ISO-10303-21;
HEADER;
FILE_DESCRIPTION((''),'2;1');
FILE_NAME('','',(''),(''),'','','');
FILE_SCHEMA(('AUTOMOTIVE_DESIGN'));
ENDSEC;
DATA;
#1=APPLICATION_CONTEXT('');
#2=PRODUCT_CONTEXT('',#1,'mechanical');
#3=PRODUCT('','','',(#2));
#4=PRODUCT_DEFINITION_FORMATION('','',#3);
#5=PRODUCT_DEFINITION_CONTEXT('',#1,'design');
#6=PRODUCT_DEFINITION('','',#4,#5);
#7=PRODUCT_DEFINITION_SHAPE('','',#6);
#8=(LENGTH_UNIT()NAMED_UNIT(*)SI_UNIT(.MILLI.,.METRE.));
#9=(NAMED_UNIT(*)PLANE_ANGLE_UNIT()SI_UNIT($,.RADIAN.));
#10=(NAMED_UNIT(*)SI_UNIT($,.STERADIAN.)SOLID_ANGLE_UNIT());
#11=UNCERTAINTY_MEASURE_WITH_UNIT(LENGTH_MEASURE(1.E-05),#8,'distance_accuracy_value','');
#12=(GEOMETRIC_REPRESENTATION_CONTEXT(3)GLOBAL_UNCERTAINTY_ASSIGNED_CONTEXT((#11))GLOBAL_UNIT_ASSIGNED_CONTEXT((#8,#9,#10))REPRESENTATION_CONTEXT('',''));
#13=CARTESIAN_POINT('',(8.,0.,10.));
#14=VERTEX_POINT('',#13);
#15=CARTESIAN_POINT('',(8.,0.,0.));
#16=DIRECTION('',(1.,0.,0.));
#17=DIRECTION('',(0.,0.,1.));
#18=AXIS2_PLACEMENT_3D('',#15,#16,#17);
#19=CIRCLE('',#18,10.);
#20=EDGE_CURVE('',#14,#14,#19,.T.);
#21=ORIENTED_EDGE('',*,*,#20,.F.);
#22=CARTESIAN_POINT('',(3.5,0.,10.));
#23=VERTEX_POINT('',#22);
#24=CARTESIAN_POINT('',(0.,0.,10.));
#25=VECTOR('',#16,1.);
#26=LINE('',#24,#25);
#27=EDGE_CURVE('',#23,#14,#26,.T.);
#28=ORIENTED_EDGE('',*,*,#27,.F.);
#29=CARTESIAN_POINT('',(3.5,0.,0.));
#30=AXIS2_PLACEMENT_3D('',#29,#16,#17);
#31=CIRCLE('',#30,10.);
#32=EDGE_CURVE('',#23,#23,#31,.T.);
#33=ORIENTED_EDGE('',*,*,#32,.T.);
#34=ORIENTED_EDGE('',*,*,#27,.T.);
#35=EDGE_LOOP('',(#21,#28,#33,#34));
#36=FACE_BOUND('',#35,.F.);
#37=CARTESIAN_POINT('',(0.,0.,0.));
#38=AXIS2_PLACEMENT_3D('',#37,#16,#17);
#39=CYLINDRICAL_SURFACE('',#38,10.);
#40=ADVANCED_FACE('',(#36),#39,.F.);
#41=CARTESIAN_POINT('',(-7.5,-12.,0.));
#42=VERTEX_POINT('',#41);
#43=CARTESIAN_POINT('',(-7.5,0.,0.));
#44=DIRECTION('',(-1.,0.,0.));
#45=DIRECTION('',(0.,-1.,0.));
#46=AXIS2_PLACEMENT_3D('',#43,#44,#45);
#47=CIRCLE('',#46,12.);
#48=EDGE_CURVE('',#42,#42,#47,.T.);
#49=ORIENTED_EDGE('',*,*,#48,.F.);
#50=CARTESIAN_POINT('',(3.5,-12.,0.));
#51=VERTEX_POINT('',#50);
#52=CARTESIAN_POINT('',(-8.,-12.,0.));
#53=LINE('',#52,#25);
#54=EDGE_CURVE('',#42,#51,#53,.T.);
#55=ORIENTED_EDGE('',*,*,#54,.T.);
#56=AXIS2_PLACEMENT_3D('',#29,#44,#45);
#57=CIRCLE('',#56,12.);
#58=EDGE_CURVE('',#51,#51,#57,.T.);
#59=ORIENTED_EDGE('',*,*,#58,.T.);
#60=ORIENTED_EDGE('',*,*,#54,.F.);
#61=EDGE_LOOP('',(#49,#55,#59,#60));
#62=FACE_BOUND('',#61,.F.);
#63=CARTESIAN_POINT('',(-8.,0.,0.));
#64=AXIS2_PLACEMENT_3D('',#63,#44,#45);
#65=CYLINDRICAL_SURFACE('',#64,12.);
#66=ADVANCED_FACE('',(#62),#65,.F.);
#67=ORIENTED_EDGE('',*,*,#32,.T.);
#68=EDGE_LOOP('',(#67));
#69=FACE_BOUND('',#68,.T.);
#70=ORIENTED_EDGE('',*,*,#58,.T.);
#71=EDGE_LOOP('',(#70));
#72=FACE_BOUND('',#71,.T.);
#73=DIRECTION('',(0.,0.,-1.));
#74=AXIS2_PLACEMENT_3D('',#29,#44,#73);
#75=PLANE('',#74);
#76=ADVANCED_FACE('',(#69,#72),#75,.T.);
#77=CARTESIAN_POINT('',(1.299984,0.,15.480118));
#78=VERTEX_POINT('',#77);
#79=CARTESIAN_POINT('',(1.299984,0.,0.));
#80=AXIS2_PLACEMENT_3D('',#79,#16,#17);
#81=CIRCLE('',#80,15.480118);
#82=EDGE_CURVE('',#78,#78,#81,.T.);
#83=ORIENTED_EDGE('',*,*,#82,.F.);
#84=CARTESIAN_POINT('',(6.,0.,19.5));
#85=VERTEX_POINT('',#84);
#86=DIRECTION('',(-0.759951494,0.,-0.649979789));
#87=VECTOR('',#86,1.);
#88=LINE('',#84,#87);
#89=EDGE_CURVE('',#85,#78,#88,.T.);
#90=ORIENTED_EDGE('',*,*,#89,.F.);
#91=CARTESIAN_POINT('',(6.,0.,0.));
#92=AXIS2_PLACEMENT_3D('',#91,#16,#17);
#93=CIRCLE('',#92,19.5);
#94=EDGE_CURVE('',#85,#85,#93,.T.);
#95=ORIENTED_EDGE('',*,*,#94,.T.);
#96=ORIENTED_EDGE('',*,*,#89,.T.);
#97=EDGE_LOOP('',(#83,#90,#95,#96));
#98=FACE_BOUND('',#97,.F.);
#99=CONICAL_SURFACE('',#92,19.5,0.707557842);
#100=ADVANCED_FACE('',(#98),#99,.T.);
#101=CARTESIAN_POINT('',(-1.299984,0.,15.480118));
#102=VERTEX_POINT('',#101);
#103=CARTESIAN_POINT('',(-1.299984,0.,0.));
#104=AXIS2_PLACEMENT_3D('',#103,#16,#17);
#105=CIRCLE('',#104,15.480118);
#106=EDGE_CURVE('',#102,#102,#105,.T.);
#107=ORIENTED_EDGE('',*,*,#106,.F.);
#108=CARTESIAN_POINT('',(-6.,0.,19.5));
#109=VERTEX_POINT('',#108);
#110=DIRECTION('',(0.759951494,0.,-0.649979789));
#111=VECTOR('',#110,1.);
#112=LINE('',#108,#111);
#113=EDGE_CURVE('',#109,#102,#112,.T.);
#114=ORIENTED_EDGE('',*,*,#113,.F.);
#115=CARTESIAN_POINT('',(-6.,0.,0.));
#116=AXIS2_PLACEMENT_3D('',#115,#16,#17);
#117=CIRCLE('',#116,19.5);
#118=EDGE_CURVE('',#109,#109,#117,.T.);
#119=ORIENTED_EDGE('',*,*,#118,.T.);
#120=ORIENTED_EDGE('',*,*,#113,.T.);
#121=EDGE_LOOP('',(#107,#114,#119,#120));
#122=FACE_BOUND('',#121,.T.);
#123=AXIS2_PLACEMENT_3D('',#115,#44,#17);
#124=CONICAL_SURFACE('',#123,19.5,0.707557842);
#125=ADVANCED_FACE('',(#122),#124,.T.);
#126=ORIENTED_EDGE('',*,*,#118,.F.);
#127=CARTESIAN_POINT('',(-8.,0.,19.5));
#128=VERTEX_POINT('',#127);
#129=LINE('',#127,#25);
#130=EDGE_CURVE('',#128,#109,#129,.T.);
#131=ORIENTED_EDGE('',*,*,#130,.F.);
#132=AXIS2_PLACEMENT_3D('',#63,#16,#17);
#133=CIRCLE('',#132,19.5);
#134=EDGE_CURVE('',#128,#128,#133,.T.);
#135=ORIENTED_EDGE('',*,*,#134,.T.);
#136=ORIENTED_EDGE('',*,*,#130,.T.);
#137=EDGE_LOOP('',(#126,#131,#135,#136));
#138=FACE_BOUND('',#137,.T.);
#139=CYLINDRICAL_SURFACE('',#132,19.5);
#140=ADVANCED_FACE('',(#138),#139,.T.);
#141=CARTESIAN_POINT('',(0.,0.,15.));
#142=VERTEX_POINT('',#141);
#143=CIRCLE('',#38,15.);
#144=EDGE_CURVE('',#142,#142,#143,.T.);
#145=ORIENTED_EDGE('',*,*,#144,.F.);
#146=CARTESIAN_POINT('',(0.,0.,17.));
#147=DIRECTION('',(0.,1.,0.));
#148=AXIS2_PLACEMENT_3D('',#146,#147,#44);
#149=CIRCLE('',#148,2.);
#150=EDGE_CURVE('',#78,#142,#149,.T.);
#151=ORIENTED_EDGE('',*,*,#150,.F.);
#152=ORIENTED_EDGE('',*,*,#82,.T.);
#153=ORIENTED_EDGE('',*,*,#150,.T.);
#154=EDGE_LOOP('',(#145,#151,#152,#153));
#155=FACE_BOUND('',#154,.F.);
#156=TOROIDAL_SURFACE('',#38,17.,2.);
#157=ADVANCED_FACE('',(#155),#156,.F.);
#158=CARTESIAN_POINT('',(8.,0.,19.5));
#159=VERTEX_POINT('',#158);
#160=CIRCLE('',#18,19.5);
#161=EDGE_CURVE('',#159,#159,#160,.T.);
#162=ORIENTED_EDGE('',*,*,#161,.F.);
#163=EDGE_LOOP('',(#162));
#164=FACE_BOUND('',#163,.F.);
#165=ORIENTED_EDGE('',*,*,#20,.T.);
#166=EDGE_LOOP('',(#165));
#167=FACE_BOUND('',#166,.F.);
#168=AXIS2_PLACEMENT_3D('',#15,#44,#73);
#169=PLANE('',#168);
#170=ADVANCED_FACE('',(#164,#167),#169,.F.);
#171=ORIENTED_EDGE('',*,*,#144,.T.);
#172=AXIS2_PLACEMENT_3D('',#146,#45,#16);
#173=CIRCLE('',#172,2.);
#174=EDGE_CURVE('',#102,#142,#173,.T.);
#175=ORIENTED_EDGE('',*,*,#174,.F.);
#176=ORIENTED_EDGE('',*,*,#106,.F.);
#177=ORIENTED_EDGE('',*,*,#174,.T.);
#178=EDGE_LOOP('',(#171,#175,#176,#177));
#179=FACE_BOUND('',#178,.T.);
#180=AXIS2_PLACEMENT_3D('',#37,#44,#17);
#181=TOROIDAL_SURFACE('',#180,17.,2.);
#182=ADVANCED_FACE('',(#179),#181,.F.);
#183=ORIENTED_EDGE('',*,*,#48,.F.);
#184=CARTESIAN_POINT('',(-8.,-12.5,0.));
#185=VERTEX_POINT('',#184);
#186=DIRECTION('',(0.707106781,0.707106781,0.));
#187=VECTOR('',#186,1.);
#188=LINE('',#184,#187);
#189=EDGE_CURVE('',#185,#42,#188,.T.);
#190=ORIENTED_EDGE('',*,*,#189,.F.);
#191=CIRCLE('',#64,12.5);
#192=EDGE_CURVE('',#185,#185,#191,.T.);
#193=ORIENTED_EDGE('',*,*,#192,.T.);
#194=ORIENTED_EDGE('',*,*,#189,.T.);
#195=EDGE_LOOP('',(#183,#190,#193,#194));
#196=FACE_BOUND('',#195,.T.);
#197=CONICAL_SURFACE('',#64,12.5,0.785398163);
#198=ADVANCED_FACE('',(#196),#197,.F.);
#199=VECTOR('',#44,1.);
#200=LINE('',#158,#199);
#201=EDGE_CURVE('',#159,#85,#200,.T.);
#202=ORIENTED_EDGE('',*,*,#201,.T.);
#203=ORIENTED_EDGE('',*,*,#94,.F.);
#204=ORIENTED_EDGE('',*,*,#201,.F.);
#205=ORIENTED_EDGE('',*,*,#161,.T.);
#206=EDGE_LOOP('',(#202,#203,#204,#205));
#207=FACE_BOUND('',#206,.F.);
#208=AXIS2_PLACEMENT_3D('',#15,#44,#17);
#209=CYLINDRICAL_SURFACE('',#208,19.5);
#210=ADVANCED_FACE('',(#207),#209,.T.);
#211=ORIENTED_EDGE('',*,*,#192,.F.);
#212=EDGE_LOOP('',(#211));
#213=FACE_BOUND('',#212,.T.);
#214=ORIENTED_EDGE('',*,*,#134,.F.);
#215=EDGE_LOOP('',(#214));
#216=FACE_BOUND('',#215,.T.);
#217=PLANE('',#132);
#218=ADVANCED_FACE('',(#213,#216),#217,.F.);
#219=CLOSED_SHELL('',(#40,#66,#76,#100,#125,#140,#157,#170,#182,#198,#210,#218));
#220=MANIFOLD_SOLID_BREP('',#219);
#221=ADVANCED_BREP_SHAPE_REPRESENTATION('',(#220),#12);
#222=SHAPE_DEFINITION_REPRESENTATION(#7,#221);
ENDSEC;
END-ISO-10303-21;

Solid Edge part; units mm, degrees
sketch "Sketch1" plane through (0, 0, 0) normal (0, -1, 0) x (1, 0, 0)
  line L0 (-8, 10) -> (-8, 19.5)
  line L1 (-8, 19.5) -> (-6, 19.5)
  line L2 (-6, 19.5) -> (-1.3, 15.4801)
  arc A0 (-1.3, 15.4801) -> (0, 15) centre (0, 17) ccw
  line L3 (0, 15) -> (0, 10)
  line L4 (0, 10) -> (-8, 10)
revolve "RevolvedProtrusion1" add sketch "Sketch1" angle 360 about axis through (-60, 0, 0) along (1, 0, 0)
mirror "Mirror1" about plane through (0, 0, 0) normal (1, 0, 0) of "RevolvedProtrusion1"
sketch "Sketch2" plane through (-8, 0, 0) normal (-1, 0, 0) x (0, -1, 0)
  circle A0 centre (0, 0) radius 12
extrude "Cutout1" cut sketch "Sketch2" against normal blind 11.5
chamfer "Fase_1" distance 0.5 angle 45 1 edges at (-8, 12, 0)
properties material "Aluminium, 1060"
